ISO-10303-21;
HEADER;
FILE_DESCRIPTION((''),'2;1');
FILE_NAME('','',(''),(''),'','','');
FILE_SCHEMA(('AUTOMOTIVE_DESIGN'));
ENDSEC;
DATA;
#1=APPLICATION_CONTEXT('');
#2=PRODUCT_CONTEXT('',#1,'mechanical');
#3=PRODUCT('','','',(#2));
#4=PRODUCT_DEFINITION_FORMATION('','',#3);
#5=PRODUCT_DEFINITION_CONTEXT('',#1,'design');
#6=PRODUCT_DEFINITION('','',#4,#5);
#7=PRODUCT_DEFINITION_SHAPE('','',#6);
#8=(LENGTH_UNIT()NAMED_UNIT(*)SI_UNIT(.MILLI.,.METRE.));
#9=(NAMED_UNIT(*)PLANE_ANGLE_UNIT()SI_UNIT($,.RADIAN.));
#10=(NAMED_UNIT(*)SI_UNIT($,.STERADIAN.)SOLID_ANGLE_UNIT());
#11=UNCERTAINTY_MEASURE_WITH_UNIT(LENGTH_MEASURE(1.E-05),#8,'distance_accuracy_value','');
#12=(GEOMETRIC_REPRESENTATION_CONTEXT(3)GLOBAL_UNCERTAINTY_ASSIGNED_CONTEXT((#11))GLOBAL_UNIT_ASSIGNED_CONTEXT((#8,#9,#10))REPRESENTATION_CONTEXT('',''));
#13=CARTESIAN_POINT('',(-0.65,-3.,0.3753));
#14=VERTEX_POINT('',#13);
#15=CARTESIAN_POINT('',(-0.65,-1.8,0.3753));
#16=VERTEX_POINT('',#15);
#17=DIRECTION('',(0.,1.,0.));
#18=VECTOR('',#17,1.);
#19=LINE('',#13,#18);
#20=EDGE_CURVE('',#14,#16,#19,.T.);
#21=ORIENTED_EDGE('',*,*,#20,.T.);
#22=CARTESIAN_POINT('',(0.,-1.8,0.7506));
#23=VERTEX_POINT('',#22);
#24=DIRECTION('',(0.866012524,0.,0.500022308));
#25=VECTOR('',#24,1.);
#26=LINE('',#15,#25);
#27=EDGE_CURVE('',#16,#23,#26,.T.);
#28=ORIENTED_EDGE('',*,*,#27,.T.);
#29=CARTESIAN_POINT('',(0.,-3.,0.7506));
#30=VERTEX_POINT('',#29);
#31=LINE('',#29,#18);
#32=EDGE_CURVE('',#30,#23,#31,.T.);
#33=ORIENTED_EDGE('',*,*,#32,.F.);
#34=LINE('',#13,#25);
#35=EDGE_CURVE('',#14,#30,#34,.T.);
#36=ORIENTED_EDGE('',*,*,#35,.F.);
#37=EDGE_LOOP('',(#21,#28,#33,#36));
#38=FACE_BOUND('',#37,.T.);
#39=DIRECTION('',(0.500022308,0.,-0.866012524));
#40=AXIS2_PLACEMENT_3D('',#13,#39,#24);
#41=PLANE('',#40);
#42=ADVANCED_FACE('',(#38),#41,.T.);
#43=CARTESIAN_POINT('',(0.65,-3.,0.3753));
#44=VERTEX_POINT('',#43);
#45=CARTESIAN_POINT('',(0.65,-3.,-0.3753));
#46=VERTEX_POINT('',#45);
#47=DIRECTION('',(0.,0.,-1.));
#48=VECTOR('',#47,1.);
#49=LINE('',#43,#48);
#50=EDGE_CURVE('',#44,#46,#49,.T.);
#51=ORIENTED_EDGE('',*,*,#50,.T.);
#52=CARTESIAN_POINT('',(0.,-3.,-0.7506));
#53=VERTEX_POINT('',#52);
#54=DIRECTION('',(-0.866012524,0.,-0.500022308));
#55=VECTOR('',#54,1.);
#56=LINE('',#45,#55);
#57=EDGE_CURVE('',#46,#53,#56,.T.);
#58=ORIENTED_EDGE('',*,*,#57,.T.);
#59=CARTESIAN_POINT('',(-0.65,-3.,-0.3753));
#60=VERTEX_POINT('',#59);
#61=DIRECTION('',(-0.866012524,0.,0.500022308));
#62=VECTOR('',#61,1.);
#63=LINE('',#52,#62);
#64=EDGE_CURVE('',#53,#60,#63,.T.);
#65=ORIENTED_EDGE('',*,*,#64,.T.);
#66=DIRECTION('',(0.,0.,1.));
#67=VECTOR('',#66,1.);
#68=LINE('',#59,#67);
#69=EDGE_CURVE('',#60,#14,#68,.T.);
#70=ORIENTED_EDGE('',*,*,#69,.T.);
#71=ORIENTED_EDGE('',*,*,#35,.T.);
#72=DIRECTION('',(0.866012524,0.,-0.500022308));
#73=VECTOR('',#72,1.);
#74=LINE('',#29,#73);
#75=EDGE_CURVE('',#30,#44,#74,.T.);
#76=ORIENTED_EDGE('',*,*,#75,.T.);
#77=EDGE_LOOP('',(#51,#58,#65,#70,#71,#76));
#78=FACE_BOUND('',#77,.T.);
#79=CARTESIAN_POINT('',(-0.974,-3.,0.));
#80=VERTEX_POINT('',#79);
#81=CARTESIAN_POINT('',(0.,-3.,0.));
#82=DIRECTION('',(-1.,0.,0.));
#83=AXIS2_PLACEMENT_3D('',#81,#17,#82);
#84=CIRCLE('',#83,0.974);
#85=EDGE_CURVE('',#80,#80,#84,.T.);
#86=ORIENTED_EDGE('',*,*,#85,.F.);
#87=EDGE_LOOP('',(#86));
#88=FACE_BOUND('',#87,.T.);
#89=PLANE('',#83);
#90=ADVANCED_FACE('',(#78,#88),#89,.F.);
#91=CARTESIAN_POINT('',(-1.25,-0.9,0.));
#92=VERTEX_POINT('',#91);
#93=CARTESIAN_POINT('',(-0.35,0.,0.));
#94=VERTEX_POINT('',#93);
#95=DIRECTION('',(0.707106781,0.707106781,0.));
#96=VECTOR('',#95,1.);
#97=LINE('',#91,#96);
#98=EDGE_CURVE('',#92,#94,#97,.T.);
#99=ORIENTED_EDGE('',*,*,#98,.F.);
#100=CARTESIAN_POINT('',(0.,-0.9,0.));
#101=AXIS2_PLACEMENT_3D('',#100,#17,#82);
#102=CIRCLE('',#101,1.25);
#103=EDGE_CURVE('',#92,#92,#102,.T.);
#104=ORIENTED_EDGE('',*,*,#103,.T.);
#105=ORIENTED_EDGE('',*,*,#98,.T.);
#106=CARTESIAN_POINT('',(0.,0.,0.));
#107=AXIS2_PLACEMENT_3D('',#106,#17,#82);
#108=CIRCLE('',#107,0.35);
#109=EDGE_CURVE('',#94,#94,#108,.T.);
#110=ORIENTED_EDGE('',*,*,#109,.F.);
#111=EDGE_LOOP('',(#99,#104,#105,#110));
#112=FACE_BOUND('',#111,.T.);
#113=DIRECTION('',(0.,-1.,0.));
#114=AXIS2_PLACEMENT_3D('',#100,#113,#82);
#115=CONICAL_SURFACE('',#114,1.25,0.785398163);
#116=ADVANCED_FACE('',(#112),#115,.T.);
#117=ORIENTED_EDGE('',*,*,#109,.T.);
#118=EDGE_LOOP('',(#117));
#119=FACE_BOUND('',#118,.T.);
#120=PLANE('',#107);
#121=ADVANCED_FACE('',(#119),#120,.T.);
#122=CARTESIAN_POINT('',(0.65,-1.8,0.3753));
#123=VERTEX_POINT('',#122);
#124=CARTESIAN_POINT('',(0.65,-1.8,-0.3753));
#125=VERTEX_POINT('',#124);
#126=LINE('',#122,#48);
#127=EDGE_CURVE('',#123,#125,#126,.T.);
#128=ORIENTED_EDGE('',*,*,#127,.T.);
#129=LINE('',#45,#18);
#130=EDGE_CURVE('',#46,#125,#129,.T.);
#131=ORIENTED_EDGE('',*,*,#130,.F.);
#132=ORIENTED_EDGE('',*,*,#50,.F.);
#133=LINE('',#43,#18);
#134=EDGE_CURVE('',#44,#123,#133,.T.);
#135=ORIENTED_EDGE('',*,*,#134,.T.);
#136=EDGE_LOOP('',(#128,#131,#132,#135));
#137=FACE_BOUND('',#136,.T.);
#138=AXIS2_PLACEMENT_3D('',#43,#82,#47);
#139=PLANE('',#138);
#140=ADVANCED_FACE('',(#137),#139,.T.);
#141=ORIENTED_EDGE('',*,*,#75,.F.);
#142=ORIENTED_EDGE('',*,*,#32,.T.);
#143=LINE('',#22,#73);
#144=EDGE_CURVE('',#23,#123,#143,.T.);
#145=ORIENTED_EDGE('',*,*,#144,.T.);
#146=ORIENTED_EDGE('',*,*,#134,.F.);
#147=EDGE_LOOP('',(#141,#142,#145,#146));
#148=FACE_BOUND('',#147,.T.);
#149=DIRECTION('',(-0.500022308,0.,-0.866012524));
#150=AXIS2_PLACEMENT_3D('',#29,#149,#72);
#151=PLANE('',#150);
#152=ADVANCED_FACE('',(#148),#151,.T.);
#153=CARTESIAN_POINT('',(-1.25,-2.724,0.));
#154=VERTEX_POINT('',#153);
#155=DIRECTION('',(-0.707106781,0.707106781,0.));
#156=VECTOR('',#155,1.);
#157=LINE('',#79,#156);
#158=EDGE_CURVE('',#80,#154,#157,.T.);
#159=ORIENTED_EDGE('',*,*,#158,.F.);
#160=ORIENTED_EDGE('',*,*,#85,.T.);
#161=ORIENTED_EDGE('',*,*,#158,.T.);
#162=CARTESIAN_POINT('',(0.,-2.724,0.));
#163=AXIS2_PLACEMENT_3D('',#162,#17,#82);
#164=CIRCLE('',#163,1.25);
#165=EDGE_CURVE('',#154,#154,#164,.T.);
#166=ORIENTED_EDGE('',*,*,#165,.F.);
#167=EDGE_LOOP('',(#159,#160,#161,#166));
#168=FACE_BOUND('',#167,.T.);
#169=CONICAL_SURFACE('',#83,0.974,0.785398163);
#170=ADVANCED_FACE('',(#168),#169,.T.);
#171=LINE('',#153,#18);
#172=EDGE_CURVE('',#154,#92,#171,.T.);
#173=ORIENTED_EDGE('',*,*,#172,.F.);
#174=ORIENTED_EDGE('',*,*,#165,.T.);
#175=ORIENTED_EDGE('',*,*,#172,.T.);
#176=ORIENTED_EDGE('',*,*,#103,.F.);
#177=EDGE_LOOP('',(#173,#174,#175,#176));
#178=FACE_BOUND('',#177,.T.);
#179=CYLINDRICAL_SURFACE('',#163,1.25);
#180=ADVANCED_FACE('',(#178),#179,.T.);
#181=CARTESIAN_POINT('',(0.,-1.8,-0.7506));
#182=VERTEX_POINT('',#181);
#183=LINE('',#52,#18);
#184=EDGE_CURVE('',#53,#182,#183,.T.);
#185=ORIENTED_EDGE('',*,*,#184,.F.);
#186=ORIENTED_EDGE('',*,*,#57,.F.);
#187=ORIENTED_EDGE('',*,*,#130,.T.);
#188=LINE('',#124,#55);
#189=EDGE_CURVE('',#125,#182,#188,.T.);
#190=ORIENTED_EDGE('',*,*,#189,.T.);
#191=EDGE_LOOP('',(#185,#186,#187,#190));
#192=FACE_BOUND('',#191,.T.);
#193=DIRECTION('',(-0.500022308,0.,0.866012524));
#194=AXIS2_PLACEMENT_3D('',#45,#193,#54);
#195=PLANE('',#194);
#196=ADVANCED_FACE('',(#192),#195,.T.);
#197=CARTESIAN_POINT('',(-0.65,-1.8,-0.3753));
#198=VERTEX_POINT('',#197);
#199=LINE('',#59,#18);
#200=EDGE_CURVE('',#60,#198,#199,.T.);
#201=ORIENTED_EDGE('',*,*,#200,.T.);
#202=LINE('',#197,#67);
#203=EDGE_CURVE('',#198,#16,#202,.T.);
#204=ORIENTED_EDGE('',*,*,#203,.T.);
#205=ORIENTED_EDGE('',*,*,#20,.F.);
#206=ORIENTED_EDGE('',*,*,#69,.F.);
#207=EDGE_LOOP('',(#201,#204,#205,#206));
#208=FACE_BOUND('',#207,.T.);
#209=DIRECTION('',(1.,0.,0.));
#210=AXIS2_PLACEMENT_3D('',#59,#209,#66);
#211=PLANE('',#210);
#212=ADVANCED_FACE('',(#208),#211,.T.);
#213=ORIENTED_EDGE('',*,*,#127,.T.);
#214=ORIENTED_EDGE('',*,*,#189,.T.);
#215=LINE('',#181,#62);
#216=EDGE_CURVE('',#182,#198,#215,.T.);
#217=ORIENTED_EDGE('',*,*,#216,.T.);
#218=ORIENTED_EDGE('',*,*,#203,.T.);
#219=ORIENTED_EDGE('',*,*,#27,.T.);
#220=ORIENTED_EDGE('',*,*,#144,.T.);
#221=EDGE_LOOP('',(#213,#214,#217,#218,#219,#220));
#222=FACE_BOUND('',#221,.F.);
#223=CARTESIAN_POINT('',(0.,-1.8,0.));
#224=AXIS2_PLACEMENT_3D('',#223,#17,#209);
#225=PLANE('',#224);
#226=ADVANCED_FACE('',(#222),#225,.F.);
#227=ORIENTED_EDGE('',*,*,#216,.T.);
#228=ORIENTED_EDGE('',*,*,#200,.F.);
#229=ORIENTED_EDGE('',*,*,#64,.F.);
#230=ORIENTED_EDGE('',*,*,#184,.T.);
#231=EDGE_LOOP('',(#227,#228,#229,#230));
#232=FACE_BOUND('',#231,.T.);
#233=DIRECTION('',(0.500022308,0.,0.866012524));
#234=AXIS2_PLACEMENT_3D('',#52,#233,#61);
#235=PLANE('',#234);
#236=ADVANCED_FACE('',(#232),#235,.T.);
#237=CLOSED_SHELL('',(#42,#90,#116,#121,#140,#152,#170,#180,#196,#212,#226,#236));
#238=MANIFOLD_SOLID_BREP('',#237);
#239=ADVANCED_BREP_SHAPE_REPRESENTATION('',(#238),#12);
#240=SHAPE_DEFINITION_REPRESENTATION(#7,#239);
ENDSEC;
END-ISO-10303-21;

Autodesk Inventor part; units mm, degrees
sketch "Sketch_4" plane through (0, 0, 0) normal (0, 0, 1) x (1, 0, 0)
  line L0 (0, 0) -> (0, -3)
  line L1 (0, -3) -> (-0.974, -3)
  line L2 (-0.974, -3) -> (-1.25, -2.724)
  line L3 (-1.25, -2.724) -> (-1.25, -0.9)
  line L4 (-1.25, -0.9) -> (-0.35, 0)
  line L5 (-0.35, 0) -> (0, 0)
  line L6 (0, 0) -> (0, -3)
revolve "Revolution1" add sketch "Sketch_4" angle 360 about axis through (0, 0, 0) along (0, 1, 0)
thread "Thread1" size "M2.5x0.45" class "6g" standard "ISO Metric profile" full length
sketch "Sketch_6" plane through (0, -3, 0) normal (0, 1, 0) x (1, 0, 0)
  line L0 (-0.65, -0.3753) -> (0, -0.7506)
  line L1 (0, -0.7506) -> (0.65, -0.3753)
  line L2 (0.65, -0.3753) -> (0.65, 0.3753)
  line L3 (0.65, 0.3753) -> (0, 0.7506)
  line L4 (0, 0.7506) -> (-0.65, 0.3753)
  line L5 (-0.65, 0.3753) -> (-0.65, -0.3753)
extrude "Extrusion1" cut sketch "Sketch_6" along normal blind 1.2
ref_plane "gst_27434_4027_XY" through (0, -2, 0) normal (0, 1, 0) x (1, 0, 0)
ref_plane "gst_27434_4027_YZ" through (0, -2, 0) normal (1, 0, 0) x (0, 0, -1)
ref_plane "gst_27434_4027_ZX" through (0, -2, 0) normal (0, 0, -1) x (0, 1, 0)
properties part number "623890046_2"
